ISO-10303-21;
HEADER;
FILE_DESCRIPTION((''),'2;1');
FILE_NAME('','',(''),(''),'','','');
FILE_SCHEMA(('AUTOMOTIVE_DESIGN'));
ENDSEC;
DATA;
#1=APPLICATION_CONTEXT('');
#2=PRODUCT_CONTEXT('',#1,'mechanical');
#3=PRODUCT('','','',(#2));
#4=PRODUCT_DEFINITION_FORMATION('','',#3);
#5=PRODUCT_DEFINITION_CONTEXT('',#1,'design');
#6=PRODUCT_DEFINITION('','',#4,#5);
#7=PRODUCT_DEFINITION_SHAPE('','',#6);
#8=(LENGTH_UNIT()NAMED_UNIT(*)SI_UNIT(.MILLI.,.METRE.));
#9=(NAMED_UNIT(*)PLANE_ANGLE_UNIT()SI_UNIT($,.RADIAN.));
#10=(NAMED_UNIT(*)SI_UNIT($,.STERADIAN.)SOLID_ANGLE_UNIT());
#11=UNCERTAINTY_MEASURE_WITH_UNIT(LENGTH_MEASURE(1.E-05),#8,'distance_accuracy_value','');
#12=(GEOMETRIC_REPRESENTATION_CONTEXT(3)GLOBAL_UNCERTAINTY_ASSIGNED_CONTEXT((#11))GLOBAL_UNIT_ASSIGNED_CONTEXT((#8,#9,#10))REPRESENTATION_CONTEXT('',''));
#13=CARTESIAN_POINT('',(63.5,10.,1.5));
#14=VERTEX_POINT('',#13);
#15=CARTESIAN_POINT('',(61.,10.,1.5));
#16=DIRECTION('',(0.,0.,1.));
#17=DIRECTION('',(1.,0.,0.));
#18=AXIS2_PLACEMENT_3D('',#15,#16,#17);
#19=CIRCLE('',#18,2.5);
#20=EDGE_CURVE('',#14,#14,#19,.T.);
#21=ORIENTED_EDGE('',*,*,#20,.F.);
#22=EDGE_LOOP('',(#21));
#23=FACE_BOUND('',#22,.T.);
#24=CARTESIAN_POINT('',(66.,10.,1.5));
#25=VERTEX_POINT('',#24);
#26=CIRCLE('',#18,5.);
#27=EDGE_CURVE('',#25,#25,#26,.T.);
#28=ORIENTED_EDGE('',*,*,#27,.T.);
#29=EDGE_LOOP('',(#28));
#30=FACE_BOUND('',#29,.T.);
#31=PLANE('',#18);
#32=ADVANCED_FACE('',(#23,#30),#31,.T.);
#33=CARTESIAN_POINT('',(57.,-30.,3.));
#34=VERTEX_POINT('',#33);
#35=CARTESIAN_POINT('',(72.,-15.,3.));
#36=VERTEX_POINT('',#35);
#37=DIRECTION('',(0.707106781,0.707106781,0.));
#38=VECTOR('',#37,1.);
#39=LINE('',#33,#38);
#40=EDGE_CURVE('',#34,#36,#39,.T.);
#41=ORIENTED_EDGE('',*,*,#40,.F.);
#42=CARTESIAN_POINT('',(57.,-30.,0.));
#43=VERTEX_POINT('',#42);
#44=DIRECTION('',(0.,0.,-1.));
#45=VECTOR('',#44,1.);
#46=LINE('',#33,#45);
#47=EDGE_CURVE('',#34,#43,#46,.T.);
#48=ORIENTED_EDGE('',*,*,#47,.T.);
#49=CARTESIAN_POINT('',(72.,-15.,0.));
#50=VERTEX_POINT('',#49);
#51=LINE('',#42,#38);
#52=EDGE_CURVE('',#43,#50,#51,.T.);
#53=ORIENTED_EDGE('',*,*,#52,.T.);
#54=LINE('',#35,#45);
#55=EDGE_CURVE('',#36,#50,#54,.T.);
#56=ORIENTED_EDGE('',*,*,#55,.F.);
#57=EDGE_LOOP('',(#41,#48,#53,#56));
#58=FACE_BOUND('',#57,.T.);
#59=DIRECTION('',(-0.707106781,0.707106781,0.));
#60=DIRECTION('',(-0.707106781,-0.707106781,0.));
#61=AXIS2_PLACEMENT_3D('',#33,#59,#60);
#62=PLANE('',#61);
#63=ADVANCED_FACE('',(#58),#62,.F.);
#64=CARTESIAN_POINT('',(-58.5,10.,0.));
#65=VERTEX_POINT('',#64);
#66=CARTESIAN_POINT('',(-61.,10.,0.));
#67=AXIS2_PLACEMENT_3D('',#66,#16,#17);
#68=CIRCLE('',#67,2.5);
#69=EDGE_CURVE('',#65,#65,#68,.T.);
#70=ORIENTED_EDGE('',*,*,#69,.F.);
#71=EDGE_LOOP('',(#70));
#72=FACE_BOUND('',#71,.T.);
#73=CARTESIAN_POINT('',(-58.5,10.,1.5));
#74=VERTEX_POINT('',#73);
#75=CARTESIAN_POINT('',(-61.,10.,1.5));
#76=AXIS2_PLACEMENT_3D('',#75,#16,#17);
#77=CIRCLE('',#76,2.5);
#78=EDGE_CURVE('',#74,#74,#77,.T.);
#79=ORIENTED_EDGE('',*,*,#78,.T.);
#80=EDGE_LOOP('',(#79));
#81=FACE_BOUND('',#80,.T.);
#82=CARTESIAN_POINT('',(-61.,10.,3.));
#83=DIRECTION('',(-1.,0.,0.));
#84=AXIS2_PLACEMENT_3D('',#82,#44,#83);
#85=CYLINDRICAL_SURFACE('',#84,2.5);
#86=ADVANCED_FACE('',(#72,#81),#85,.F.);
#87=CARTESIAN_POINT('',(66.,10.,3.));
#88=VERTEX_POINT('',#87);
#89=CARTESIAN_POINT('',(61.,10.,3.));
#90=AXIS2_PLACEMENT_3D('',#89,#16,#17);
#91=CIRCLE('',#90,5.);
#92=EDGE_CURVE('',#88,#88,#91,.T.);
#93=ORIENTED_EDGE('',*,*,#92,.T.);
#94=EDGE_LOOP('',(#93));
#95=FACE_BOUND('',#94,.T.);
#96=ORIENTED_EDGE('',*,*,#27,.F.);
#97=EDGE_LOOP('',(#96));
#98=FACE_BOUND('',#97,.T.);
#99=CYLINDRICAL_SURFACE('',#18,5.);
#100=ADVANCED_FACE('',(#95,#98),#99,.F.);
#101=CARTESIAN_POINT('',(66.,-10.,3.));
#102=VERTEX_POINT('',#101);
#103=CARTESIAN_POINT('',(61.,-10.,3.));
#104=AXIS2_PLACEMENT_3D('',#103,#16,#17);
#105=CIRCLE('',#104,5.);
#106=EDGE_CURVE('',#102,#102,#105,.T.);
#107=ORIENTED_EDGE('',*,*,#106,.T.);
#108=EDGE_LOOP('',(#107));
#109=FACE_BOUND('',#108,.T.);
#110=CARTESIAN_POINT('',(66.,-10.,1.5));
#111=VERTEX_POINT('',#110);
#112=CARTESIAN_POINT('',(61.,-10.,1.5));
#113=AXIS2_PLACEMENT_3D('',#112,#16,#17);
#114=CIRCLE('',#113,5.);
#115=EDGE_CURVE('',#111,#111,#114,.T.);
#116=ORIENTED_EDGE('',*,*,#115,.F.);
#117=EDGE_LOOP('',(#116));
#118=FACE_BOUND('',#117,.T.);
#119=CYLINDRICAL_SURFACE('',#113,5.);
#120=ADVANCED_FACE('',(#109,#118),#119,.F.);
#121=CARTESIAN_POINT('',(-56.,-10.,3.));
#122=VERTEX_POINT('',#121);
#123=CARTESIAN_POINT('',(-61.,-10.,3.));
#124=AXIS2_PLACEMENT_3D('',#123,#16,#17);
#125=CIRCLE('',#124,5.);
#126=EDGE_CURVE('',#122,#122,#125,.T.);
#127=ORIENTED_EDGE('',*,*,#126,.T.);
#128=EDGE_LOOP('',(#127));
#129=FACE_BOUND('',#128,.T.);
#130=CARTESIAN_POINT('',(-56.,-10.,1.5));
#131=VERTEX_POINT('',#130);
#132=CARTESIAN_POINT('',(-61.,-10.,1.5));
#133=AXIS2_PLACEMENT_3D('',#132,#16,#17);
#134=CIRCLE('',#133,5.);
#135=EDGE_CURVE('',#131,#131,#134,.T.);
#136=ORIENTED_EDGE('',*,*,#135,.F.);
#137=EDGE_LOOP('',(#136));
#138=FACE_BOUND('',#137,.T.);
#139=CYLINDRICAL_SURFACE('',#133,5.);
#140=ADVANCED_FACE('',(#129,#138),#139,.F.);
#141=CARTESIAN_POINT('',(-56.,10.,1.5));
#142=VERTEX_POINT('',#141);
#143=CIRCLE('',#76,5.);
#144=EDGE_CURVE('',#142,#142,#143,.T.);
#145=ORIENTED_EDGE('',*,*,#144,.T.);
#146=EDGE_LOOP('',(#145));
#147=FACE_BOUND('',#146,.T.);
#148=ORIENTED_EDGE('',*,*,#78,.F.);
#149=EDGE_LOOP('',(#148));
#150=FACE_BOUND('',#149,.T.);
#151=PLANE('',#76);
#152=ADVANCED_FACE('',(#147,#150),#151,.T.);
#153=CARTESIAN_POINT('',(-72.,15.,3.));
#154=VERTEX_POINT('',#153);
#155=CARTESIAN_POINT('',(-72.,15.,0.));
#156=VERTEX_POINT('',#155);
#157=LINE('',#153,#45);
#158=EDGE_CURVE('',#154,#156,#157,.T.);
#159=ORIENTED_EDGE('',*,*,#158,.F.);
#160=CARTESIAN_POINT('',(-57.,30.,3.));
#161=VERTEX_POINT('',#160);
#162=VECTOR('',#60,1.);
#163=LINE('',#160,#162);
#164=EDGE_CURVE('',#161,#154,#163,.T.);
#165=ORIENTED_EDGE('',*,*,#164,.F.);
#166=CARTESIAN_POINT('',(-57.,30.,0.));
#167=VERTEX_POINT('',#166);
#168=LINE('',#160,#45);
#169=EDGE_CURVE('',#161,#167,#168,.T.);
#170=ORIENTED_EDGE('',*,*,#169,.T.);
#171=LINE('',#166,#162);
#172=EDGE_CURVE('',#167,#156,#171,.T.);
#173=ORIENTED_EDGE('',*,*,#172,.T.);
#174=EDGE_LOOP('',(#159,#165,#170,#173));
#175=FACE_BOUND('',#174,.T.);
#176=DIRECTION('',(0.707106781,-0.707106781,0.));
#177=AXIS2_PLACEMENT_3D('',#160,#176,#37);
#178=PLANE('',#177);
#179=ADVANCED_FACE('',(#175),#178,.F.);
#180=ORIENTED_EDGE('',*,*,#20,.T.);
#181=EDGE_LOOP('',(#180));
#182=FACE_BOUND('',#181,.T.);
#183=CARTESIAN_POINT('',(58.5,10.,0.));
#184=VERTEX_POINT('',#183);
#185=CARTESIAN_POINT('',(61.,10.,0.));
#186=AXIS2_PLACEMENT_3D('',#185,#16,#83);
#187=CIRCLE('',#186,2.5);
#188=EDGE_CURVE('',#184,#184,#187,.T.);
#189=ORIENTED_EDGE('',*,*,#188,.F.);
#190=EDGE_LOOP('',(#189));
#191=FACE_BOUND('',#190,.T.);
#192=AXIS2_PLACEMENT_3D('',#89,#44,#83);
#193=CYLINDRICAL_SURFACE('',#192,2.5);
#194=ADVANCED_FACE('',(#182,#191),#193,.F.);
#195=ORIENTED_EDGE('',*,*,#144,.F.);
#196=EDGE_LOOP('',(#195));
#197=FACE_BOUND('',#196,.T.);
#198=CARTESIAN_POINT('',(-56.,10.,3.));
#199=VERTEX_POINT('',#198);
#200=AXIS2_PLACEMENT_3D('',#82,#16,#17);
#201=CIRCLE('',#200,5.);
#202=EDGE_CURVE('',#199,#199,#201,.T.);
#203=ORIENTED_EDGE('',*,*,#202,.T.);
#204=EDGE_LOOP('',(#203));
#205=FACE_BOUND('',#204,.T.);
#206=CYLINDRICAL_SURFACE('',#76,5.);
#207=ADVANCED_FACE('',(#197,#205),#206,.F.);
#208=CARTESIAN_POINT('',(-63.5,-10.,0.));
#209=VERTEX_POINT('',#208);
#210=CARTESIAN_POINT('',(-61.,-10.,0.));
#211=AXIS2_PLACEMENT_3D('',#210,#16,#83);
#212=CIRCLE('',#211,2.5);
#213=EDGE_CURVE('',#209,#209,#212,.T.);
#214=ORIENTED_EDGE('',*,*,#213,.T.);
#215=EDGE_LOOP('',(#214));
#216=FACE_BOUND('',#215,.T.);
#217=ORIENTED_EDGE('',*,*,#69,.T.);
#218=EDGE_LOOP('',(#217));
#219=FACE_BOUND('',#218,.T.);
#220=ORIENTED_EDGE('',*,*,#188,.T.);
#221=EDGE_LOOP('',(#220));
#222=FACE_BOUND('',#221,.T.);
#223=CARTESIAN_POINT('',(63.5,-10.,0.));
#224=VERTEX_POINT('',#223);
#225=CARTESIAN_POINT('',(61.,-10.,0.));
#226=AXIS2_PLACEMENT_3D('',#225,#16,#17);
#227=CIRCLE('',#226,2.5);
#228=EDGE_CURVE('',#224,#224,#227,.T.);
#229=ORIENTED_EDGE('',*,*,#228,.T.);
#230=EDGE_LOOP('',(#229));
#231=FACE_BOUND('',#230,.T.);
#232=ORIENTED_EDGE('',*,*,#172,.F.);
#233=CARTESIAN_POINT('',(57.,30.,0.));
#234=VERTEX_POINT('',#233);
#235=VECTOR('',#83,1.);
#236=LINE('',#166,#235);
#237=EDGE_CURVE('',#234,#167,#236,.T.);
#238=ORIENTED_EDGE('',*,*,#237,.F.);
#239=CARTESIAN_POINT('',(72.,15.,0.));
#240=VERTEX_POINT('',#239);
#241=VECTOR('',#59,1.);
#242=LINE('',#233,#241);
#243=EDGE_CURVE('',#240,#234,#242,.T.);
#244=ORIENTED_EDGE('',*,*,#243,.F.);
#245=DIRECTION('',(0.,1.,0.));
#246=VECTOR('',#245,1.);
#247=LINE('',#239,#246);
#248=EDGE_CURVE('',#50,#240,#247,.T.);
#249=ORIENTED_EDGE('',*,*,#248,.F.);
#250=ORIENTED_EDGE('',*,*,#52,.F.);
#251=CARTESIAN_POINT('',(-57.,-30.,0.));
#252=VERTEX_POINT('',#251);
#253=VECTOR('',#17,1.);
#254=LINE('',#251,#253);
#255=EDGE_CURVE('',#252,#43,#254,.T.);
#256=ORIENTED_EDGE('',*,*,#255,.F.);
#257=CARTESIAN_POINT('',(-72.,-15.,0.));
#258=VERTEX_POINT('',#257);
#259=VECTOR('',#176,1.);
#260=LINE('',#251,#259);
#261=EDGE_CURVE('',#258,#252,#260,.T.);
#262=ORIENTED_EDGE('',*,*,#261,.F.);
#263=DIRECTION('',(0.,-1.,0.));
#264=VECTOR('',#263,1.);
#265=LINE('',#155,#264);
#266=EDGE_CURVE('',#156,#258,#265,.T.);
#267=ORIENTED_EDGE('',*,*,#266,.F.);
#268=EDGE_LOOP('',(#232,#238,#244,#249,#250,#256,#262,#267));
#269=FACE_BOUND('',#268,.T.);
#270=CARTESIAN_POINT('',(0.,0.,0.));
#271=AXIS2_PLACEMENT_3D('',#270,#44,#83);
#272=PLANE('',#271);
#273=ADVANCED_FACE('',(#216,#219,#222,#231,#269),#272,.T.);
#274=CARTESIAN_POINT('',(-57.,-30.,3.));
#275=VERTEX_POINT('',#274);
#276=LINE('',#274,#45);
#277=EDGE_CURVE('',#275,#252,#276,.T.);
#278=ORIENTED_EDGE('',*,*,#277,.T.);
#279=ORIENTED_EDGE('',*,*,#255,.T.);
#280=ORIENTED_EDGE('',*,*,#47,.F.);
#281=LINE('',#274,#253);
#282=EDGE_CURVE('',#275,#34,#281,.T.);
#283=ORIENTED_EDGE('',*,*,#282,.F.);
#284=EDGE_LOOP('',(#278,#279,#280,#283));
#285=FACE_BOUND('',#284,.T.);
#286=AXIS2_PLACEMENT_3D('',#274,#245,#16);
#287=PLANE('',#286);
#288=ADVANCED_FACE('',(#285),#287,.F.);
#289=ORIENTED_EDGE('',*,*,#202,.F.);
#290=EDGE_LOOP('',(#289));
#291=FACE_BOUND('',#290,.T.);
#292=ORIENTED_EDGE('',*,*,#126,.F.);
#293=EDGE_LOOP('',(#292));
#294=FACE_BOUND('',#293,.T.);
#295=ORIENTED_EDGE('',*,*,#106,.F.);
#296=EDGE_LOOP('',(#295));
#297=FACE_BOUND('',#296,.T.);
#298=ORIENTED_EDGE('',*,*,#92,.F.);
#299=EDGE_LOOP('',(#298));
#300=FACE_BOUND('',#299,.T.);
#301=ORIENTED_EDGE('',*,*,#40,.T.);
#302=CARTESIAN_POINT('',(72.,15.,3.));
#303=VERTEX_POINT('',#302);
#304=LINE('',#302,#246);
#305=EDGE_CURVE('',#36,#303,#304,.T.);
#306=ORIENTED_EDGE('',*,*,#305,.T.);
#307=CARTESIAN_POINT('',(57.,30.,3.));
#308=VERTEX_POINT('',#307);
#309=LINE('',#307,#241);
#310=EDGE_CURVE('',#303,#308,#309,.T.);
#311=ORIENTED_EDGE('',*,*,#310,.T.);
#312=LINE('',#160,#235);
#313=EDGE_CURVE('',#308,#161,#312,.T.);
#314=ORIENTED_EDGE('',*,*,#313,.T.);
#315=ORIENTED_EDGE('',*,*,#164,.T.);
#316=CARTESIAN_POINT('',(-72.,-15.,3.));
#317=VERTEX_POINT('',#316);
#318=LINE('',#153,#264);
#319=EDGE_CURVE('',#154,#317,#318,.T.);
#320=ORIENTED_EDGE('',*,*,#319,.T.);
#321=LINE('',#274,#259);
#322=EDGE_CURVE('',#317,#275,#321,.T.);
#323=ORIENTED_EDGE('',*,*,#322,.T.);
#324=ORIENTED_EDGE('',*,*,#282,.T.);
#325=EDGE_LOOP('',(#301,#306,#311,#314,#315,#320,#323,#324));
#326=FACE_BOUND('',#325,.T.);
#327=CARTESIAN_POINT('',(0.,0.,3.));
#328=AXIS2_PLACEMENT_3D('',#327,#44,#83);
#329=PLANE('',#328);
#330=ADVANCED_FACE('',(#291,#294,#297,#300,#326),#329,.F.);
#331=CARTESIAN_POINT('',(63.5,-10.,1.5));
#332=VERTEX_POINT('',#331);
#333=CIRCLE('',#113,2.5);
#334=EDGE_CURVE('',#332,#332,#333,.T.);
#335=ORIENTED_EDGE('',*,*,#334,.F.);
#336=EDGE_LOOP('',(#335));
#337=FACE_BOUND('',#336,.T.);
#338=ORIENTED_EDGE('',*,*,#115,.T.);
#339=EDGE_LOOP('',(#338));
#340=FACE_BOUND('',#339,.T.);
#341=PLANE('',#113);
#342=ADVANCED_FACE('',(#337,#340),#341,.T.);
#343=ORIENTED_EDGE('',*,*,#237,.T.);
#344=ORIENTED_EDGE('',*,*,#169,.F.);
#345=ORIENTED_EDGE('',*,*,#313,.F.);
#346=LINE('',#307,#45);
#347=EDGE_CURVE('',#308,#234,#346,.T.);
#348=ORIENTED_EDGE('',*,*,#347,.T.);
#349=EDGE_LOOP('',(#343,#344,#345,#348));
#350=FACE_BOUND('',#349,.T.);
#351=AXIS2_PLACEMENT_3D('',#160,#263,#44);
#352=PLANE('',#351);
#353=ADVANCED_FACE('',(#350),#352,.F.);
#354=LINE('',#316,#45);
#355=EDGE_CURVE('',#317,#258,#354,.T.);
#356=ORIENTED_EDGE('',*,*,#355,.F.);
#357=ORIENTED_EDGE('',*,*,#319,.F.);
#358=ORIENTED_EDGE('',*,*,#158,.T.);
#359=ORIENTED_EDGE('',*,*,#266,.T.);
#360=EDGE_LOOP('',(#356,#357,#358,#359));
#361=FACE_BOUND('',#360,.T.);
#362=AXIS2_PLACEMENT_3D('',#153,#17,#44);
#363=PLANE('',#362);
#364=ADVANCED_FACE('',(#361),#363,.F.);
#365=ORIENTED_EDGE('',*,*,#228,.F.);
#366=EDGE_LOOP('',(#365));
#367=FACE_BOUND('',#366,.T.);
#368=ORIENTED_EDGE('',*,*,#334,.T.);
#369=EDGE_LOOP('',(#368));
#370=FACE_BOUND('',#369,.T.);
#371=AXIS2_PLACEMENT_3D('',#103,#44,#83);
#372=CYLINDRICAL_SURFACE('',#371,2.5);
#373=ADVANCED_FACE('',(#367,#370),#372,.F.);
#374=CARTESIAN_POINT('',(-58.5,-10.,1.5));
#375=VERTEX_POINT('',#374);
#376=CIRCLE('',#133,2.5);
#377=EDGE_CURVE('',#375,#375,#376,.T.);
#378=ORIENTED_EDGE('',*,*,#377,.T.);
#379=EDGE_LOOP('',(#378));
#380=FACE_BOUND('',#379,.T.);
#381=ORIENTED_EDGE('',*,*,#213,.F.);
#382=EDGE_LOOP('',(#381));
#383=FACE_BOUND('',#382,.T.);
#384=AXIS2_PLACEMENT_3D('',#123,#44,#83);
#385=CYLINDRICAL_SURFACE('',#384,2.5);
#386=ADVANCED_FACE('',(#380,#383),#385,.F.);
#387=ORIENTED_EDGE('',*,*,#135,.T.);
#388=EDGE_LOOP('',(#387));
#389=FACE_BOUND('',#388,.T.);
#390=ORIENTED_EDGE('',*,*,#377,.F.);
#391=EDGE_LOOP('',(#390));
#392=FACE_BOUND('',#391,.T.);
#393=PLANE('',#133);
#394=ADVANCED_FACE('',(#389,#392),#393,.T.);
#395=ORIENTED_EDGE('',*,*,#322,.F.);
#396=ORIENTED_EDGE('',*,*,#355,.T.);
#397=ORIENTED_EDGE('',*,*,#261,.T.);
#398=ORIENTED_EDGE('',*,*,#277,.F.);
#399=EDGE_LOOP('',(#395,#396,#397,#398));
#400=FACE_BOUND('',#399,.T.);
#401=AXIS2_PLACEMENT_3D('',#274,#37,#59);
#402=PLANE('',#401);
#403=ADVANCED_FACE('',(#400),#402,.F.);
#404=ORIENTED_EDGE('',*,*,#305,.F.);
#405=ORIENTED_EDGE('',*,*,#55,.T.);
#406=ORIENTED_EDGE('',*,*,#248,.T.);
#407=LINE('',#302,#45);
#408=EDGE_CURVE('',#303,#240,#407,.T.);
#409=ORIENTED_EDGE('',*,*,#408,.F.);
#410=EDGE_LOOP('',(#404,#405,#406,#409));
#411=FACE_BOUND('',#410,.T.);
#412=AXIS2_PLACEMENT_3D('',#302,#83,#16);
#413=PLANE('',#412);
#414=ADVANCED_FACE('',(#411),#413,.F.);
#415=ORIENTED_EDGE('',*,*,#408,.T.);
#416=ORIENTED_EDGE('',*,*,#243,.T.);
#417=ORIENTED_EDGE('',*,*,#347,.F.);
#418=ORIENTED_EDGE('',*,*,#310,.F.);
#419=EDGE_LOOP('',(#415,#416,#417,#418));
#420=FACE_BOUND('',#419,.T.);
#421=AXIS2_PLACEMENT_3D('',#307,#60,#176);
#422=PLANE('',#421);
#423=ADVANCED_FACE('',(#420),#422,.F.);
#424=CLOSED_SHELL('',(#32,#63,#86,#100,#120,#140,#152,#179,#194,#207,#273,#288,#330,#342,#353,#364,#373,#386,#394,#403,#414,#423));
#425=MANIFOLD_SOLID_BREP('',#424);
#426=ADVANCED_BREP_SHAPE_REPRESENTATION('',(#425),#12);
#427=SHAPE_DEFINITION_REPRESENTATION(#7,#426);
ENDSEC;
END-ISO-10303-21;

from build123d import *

# Parameters (mm, degrees)
SKETCH1_R           = 2.5
BOSS_EXTRUDE1_DEPTH = 3
SKETCH2_R           = 5
CUT_EXTRUDE1_DEPTH  = 1.5


with BuildPart() as part:
    # Sketch1 → Boss-Extrude1 (new body)
    with BuildSketch(Plane.XY):
        Polygon((-57, 30), (57, 30), (72, 15), (72, -15), (57, -30), (-57, -30), (-72, -15), (-72, 15), align=None)
        with Locations((-61, 10)):
            Circle(SKETCH1_R, mode=Mode.SUBTRACT)
        with Locations(Location((61, 10, 0), (0, 0, 180))):
            Circle(SKETCH1_R, mode=Mode.SUBTRACT)
        with Locations((61, -10)):
            Circle(SKETCH1_R, mode=Mode.SUBTRACT)
        with Locations(Location((-61, -10, 0), (0, 0, 180))):
            Circle(SKETCH1_R, mode=Mode.SUBTRACT)
    extrude(amount=BOSS_EXTRUDE1_DEPTH)

    # Sketch2 → Cut-Extrude1 (cut)
    with BuildSketch(Plane.XY.offset(3)):
        with Locations((-61, -10)):
            Circle(SKETCH2_R)
        with Locations((-61, 10)):
            Circle(SKETCH2_R)
        with Locations((61, 10)):
            Circle(SKETCH2_R)
        with Locations((61, -10)):
            Circle(SKETCH2_R)
    extrude(amount=-CUT_EXTRUDE1_DEPTH, mode=Mode.SUBTRACT)


solid = part.part
